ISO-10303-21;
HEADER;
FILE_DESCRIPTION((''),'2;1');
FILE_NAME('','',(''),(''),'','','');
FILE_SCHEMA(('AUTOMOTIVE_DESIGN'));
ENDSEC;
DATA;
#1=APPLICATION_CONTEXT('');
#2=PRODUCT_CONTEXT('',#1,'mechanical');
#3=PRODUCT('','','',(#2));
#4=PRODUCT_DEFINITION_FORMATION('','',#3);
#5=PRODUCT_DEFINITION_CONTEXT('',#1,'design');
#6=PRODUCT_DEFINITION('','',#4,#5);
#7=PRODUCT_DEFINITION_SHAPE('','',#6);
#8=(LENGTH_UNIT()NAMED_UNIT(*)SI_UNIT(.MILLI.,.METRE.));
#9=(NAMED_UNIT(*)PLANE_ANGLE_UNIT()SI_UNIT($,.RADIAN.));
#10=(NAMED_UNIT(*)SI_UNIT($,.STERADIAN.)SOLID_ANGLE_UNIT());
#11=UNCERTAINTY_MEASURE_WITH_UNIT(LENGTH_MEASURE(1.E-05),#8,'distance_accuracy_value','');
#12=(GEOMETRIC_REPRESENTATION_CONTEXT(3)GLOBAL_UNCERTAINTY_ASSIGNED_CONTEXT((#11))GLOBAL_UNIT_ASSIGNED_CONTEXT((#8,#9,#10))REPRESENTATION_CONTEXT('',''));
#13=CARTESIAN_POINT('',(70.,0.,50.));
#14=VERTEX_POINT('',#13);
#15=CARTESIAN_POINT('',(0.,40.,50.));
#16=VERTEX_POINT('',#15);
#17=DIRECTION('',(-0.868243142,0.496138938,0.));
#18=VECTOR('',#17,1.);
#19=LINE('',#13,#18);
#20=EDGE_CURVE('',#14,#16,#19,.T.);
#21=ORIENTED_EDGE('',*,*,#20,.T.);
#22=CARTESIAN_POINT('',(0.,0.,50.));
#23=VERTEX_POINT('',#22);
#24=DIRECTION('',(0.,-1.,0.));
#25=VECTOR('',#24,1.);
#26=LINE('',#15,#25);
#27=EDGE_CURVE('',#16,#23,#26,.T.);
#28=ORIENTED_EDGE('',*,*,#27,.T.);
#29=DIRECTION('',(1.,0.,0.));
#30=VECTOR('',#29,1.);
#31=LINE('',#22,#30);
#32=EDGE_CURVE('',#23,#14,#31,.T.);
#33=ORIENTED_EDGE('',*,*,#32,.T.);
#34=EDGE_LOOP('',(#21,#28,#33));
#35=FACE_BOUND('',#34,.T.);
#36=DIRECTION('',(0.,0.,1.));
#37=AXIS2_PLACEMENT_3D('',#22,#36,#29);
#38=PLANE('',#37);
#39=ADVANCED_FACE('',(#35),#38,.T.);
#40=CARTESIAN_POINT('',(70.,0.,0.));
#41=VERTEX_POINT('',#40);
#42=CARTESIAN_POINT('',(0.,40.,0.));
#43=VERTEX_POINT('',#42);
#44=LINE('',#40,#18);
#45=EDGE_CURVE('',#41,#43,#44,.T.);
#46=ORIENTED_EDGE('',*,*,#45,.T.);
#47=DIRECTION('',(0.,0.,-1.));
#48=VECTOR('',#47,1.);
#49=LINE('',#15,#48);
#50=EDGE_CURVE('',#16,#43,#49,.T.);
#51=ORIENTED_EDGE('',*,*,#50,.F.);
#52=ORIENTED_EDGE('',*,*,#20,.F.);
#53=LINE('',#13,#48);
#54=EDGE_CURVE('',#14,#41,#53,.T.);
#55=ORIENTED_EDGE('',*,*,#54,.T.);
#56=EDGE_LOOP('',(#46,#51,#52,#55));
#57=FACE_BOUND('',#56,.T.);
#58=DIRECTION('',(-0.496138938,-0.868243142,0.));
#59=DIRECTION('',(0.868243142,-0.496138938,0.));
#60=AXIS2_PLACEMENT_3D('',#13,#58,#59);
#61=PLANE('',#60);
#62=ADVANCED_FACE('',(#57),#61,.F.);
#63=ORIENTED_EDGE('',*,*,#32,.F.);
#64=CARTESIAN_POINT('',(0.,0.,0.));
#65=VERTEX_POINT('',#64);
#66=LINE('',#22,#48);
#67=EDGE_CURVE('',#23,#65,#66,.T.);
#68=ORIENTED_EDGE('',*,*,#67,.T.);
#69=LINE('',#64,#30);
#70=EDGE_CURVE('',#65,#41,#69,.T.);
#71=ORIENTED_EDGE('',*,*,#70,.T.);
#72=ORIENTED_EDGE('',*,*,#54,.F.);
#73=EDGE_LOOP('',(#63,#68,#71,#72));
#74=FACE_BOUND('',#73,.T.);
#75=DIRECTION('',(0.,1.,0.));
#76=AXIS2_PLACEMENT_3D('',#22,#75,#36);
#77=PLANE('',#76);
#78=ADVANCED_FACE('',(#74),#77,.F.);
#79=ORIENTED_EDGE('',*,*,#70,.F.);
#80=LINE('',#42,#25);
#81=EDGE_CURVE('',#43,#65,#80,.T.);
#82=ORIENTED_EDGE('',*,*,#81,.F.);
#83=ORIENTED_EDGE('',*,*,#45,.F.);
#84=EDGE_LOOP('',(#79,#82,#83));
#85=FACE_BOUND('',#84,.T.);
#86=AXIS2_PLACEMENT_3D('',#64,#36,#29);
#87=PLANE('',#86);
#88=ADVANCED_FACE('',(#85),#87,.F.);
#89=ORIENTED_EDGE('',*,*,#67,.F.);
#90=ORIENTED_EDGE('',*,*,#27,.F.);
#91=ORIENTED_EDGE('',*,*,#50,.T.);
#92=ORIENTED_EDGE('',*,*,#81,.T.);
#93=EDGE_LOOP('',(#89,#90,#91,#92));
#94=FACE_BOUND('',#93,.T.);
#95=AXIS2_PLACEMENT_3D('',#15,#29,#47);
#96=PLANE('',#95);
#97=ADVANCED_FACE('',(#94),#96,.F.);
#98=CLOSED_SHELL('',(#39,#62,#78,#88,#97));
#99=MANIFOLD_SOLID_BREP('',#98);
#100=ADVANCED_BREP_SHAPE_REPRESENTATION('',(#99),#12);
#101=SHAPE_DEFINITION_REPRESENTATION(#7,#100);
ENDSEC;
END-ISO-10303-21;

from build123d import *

# Parameters (mm, degrees)
BOSS_EXTRUDE2_DEPTH = 50


with BuildPart() as part:
    # Sketch1 → Boss-Extrude2 (new body)
    with BuildSketch(Plane.XY):
        Polygon((0, 0), (70, 0), (0, 40), align=None)
    extrude(amount=BOSS_EXTRUDE2_DEPTH)


solid = part.part
